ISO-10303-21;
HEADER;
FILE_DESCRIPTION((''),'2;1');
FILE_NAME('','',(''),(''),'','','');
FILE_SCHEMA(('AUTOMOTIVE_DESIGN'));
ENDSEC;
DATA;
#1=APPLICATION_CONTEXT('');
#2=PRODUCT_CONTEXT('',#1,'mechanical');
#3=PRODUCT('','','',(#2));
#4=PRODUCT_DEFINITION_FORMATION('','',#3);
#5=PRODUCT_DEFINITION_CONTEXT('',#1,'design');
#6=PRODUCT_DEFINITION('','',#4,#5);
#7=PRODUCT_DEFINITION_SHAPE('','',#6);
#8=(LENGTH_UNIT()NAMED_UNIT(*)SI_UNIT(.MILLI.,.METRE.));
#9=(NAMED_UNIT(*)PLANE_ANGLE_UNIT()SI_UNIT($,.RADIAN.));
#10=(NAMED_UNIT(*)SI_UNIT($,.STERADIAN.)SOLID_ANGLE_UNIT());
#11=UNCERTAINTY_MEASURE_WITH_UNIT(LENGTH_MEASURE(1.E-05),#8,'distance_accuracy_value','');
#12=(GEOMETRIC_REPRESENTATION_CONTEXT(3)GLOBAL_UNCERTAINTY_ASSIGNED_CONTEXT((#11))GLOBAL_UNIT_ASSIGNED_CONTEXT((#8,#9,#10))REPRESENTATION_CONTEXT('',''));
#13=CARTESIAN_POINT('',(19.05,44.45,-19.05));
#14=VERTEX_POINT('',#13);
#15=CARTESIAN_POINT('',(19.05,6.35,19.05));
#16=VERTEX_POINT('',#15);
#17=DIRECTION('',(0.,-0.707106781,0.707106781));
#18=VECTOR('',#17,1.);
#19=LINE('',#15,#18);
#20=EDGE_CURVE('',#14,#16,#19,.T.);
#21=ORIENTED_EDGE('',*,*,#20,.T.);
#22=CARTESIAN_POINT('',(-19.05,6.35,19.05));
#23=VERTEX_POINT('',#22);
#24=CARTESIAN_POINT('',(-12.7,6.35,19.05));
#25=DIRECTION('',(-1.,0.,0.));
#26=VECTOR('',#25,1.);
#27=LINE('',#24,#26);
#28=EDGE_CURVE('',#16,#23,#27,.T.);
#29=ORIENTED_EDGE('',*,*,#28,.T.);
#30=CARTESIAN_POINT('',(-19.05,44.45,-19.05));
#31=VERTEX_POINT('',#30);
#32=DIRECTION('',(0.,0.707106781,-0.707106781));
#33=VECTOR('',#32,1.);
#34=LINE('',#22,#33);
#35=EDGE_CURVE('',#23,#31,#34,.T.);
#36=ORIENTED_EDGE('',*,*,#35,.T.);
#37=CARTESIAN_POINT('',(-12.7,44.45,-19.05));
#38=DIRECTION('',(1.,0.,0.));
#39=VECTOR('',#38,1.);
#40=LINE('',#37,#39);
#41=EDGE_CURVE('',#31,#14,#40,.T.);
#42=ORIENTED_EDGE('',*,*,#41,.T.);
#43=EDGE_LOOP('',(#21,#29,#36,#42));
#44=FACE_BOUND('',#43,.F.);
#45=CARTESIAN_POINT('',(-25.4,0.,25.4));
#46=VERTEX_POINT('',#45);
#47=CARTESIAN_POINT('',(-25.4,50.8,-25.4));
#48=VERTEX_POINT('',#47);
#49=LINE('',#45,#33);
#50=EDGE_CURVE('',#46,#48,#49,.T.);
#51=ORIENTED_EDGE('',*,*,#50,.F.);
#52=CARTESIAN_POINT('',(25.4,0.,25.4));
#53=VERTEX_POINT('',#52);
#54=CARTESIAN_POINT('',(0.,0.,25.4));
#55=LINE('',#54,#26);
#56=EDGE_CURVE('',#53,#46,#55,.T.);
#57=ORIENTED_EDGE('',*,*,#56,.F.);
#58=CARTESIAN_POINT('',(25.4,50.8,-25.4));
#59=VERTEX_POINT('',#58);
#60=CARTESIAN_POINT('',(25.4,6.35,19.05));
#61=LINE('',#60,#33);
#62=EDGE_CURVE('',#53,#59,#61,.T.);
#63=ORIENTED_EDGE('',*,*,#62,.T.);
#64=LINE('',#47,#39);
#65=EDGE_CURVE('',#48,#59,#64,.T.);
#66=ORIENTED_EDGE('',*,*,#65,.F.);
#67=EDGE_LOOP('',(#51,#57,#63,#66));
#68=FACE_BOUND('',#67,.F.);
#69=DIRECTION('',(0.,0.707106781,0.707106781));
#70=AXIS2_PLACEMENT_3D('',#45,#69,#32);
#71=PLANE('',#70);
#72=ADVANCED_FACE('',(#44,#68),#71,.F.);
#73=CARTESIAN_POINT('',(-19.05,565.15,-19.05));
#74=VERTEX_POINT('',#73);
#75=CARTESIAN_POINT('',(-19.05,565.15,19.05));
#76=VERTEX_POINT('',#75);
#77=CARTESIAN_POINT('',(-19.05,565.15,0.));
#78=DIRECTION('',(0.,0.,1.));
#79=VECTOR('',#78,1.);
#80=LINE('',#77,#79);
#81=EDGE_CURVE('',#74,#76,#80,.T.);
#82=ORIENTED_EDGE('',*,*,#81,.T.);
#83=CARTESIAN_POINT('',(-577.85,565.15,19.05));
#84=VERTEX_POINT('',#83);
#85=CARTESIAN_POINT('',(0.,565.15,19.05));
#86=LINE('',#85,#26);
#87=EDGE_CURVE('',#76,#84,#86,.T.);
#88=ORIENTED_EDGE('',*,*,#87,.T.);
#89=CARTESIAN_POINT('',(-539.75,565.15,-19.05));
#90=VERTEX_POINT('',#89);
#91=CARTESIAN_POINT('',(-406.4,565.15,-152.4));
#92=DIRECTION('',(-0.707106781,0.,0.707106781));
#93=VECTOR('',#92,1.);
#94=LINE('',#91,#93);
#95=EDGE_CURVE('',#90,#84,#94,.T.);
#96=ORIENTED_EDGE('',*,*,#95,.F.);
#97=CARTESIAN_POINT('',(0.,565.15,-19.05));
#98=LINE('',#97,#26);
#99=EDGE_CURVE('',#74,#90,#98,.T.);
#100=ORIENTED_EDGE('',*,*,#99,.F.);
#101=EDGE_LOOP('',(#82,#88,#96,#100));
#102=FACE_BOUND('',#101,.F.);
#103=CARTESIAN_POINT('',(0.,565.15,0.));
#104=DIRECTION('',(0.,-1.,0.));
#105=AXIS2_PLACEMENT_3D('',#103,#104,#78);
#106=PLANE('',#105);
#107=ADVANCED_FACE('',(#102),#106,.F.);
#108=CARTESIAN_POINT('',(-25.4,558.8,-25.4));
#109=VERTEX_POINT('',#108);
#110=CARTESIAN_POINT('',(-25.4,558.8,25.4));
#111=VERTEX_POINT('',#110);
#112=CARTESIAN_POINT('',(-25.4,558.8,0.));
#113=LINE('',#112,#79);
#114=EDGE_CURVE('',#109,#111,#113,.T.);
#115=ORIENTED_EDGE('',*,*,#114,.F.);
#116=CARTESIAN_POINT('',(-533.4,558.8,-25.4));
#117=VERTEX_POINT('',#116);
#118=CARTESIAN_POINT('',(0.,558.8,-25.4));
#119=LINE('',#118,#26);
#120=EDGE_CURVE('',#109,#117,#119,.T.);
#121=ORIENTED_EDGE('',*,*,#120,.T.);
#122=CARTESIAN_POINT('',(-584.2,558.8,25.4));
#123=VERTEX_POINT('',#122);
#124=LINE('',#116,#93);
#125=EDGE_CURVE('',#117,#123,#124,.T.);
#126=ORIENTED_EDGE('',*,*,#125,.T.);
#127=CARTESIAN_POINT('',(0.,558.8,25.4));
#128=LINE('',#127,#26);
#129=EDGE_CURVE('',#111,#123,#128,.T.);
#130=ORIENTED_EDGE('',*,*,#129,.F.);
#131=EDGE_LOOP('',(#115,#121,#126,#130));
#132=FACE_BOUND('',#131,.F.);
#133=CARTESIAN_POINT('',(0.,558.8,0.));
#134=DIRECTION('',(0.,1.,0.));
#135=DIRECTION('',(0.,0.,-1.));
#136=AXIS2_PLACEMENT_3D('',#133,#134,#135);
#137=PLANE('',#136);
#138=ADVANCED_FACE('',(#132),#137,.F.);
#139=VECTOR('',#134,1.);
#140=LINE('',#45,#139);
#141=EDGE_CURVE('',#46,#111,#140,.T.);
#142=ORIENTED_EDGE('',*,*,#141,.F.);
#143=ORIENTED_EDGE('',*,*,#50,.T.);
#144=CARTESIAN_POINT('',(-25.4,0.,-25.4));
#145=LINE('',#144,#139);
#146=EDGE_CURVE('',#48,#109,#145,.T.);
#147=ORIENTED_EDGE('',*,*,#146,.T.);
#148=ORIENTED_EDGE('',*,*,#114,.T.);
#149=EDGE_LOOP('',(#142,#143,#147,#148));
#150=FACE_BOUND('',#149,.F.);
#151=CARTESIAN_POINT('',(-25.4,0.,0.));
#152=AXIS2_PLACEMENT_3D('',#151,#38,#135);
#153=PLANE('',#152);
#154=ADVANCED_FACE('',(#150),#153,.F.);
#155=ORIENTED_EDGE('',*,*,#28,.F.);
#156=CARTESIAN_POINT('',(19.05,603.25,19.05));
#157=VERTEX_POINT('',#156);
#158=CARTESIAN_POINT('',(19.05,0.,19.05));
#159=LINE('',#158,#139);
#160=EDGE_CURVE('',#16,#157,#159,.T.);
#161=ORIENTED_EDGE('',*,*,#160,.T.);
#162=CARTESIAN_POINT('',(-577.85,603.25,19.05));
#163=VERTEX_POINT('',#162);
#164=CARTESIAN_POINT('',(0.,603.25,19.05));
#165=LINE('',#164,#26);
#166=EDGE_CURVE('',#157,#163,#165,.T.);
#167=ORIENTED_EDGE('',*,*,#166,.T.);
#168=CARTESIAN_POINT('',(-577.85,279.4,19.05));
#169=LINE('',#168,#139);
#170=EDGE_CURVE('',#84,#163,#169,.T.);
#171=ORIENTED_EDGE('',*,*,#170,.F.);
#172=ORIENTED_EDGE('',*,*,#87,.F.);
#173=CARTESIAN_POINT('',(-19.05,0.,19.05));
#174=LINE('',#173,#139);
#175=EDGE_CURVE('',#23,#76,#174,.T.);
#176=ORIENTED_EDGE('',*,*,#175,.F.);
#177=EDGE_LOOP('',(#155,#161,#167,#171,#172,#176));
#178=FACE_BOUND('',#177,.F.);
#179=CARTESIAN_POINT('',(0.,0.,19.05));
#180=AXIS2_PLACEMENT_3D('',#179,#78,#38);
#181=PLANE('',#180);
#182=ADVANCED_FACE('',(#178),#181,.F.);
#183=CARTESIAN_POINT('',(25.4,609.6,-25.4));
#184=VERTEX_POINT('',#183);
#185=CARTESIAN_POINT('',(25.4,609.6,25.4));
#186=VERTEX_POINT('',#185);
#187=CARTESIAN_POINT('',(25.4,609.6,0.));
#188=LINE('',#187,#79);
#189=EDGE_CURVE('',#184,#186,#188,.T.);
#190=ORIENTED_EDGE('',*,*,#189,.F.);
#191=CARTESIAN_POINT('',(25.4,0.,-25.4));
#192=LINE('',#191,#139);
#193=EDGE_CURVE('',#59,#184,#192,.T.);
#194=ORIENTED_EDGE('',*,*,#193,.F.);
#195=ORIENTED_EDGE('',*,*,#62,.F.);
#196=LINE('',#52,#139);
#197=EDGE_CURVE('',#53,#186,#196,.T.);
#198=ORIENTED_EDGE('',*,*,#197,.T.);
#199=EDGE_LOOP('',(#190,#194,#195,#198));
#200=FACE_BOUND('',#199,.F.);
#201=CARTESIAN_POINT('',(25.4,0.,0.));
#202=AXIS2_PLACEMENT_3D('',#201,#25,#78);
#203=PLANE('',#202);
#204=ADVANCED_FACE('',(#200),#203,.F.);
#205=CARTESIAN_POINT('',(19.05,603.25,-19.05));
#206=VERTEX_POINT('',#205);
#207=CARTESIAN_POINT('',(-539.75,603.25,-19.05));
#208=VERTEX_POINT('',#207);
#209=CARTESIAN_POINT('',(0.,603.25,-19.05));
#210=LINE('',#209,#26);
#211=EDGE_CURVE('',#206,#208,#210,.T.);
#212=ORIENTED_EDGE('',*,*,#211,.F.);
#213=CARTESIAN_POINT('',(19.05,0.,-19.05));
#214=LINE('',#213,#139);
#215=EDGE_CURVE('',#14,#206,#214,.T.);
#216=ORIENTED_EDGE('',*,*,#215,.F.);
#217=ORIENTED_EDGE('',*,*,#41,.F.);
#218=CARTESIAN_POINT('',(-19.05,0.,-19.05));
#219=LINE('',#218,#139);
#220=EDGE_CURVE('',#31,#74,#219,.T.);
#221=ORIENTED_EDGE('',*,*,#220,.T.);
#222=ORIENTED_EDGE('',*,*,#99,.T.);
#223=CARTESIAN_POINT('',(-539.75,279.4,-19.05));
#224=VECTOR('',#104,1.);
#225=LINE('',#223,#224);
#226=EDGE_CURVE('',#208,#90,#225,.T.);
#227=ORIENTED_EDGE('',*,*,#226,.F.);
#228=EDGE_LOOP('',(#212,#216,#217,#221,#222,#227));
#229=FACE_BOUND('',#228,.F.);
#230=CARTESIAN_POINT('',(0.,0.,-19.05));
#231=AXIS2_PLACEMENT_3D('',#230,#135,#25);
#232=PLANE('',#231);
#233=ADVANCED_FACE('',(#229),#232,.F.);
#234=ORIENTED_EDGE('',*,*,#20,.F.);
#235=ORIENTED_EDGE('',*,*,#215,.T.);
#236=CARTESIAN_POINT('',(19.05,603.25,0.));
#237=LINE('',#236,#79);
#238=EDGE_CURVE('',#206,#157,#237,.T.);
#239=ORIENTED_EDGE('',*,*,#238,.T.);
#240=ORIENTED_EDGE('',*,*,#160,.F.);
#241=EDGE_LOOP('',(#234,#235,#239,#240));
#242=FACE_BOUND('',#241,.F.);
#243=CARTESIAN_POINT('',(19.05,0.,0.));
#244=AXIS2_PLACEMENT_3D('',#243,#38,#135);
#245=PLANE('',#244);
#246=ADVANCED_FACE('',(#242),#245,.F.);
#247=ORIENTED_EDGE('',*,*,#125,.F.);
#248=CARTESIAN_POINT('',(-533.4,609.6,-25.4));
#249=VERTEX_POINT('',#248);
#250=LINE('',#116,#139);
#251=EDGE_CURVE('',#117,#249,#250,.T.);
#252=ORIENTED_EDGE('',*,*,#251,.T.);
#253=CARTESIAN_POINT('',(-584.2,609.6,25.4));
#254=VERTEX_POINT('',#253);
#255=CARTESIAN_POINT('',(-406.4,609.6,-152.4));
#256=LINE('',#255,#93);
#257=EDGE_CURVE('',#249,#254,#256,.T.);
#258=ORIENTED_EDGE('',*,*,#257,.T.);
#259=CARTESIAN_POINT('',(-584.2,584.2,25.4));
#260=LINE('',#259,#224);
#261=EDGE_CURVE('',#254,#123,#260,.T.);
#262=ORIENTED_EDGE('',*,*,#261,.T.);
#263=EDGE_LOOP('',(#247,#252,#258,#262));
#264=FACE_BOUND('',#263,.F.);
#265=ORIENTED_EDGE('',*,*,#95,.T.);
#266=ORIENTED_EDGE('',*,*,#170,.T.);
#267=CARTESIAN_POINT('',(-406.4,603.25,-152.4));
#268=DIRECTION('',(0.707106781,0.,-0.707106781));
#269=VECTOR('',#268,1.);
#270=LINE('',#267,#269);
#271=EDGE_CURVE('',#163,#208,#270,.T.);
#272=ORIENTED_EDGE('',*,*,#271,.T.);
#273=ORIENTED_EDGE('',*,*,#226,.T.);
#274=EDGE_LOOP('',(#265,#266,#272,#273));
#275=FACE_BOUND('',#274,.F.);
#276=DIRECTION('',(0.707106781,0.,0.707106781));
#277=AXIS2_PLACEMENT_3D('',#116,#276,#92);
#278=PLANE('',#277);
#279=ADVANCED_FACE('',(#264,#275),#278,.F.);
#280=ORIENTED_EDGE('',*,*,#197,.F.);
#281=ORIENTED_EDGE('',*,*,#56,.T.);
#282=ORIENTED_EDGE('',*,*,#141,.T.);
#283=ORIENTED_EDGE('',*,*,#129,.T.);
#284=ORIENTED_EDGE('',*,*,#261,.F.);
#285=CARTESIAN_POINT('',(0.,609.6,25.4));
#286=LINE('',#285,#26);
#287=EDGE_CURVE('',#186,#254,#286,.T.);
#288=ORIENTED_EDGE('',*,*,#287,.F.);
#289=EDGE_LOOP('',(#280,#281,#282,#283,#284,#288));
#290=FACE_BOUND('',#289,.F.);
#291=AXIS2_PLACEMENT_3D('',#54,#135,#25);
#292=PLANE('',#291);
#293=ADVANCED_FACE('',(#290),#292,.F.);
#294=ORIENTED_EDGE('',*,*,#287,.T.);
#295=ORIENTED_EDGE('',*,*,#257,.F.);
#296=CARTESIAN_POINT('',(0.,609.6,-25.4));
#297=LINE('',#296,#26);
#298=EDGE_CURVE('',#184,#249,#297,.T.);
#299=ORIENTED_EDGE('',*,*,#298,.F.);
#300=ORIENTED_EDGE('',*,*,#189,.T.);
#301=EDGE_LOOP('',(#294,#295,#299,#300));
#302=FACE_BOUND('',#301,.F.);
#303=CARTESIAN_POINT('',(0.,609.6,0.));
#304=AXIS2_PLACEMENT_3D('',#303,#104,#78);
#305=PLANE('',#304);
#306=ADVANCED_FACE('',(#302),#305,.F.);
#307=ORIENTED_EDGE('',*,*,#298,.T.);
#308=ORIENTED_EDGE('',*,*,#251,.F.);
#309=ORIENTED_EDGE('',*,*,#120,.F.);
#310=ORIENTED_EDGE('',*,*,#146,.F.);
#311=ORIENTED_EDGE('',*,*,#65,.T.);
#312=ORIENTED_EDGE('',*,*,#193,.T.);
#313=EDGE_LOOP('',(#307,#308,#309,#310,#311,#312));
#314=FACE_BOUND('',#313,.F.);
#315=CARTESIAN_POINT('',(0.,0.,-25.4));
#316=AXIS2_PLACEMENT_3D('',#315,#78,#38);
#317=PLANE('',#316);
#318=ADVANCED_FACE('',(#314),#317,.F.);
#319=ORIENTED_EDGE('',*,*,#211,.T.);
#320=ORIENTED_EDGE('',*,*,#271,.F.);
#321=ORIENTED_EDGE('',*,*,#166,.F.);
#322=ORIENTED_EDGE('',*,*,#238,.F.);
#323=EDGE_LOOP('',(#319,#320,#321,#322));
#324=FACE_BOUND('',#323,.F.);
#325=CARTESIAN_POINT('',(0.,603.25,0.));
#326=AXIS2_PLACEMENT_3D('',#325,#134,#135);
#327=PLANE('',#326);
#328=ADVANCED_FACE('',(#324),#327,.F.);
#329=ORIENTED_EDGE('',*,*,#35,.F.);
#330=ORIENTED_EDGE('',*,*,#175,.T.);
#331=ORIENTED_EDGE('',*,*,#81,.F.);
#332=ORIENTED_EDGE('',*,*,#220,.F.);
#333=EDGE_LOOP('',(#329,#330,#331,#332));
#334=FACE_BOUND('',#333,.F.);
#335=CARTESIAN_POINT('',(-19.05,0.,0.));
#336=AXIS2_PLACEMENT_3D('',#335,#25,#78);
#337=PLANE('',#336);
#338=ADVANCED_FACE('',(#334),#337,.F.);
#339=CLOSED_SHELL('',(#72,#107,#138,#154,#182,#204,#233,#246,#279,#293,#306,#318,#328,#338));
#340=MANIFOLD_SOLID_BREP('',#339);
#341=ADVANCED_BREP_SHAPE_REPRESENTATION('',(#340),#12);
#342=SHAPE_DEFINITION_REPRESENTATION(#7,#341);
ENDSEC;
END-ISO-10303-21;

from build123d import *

# Parameters (mm, degrees)
F1_W     = 50.8
F1_H     = 50.8
F1_W_2   = 38.1
F1_H_2   = 38.1
F4_DEPTH = 50.801
F6_DEPTH = 50.801


with BuildPart() as f2:
    # F2: sweep along a path in F0
    with BuildLine(Plane.XY) as f2_path:
        Line((0, 0), (0, 584.2))
        Line((0, 584.2), (-584.2, 584.2))
    # F1 (on Front) → F2 (sweep)
    with BuildSketch(Plane.XZ):
        Rectangle(F1_W, F1_H)
        Rectangle(F1_W_2, F1_H_2, mode=Mode.SUBTRACT)
    sweep(path=f2_path.line, transition=Transition.RIGHT)

    # F3 (on face) → F4 (cut, through all)
    with BuildSketch(Plane(origin=(-25.4, 0, 0), x_dir=(0, -1, 0), z_dir=(-1, 0, 0))):
        Polygon((0, -25.4), (0, 25.4), (-50.8, -25.4), align=None)
    extrude(amount=-F4_DEPTH, mode=Mode.SUBTRACT)

    # F5 (on face) → F6 (cut, through all)
    with BuildSketch(Plane.XZ.offset(-558.8)):
        Polygon((-584.2, 25.4), (-584.2, -25.4), (-533.4, -25.4), align=None)
    extrude(amount=-F6_DEPTH, mode=Mode.SUBTRACT)


solid = f2.part
